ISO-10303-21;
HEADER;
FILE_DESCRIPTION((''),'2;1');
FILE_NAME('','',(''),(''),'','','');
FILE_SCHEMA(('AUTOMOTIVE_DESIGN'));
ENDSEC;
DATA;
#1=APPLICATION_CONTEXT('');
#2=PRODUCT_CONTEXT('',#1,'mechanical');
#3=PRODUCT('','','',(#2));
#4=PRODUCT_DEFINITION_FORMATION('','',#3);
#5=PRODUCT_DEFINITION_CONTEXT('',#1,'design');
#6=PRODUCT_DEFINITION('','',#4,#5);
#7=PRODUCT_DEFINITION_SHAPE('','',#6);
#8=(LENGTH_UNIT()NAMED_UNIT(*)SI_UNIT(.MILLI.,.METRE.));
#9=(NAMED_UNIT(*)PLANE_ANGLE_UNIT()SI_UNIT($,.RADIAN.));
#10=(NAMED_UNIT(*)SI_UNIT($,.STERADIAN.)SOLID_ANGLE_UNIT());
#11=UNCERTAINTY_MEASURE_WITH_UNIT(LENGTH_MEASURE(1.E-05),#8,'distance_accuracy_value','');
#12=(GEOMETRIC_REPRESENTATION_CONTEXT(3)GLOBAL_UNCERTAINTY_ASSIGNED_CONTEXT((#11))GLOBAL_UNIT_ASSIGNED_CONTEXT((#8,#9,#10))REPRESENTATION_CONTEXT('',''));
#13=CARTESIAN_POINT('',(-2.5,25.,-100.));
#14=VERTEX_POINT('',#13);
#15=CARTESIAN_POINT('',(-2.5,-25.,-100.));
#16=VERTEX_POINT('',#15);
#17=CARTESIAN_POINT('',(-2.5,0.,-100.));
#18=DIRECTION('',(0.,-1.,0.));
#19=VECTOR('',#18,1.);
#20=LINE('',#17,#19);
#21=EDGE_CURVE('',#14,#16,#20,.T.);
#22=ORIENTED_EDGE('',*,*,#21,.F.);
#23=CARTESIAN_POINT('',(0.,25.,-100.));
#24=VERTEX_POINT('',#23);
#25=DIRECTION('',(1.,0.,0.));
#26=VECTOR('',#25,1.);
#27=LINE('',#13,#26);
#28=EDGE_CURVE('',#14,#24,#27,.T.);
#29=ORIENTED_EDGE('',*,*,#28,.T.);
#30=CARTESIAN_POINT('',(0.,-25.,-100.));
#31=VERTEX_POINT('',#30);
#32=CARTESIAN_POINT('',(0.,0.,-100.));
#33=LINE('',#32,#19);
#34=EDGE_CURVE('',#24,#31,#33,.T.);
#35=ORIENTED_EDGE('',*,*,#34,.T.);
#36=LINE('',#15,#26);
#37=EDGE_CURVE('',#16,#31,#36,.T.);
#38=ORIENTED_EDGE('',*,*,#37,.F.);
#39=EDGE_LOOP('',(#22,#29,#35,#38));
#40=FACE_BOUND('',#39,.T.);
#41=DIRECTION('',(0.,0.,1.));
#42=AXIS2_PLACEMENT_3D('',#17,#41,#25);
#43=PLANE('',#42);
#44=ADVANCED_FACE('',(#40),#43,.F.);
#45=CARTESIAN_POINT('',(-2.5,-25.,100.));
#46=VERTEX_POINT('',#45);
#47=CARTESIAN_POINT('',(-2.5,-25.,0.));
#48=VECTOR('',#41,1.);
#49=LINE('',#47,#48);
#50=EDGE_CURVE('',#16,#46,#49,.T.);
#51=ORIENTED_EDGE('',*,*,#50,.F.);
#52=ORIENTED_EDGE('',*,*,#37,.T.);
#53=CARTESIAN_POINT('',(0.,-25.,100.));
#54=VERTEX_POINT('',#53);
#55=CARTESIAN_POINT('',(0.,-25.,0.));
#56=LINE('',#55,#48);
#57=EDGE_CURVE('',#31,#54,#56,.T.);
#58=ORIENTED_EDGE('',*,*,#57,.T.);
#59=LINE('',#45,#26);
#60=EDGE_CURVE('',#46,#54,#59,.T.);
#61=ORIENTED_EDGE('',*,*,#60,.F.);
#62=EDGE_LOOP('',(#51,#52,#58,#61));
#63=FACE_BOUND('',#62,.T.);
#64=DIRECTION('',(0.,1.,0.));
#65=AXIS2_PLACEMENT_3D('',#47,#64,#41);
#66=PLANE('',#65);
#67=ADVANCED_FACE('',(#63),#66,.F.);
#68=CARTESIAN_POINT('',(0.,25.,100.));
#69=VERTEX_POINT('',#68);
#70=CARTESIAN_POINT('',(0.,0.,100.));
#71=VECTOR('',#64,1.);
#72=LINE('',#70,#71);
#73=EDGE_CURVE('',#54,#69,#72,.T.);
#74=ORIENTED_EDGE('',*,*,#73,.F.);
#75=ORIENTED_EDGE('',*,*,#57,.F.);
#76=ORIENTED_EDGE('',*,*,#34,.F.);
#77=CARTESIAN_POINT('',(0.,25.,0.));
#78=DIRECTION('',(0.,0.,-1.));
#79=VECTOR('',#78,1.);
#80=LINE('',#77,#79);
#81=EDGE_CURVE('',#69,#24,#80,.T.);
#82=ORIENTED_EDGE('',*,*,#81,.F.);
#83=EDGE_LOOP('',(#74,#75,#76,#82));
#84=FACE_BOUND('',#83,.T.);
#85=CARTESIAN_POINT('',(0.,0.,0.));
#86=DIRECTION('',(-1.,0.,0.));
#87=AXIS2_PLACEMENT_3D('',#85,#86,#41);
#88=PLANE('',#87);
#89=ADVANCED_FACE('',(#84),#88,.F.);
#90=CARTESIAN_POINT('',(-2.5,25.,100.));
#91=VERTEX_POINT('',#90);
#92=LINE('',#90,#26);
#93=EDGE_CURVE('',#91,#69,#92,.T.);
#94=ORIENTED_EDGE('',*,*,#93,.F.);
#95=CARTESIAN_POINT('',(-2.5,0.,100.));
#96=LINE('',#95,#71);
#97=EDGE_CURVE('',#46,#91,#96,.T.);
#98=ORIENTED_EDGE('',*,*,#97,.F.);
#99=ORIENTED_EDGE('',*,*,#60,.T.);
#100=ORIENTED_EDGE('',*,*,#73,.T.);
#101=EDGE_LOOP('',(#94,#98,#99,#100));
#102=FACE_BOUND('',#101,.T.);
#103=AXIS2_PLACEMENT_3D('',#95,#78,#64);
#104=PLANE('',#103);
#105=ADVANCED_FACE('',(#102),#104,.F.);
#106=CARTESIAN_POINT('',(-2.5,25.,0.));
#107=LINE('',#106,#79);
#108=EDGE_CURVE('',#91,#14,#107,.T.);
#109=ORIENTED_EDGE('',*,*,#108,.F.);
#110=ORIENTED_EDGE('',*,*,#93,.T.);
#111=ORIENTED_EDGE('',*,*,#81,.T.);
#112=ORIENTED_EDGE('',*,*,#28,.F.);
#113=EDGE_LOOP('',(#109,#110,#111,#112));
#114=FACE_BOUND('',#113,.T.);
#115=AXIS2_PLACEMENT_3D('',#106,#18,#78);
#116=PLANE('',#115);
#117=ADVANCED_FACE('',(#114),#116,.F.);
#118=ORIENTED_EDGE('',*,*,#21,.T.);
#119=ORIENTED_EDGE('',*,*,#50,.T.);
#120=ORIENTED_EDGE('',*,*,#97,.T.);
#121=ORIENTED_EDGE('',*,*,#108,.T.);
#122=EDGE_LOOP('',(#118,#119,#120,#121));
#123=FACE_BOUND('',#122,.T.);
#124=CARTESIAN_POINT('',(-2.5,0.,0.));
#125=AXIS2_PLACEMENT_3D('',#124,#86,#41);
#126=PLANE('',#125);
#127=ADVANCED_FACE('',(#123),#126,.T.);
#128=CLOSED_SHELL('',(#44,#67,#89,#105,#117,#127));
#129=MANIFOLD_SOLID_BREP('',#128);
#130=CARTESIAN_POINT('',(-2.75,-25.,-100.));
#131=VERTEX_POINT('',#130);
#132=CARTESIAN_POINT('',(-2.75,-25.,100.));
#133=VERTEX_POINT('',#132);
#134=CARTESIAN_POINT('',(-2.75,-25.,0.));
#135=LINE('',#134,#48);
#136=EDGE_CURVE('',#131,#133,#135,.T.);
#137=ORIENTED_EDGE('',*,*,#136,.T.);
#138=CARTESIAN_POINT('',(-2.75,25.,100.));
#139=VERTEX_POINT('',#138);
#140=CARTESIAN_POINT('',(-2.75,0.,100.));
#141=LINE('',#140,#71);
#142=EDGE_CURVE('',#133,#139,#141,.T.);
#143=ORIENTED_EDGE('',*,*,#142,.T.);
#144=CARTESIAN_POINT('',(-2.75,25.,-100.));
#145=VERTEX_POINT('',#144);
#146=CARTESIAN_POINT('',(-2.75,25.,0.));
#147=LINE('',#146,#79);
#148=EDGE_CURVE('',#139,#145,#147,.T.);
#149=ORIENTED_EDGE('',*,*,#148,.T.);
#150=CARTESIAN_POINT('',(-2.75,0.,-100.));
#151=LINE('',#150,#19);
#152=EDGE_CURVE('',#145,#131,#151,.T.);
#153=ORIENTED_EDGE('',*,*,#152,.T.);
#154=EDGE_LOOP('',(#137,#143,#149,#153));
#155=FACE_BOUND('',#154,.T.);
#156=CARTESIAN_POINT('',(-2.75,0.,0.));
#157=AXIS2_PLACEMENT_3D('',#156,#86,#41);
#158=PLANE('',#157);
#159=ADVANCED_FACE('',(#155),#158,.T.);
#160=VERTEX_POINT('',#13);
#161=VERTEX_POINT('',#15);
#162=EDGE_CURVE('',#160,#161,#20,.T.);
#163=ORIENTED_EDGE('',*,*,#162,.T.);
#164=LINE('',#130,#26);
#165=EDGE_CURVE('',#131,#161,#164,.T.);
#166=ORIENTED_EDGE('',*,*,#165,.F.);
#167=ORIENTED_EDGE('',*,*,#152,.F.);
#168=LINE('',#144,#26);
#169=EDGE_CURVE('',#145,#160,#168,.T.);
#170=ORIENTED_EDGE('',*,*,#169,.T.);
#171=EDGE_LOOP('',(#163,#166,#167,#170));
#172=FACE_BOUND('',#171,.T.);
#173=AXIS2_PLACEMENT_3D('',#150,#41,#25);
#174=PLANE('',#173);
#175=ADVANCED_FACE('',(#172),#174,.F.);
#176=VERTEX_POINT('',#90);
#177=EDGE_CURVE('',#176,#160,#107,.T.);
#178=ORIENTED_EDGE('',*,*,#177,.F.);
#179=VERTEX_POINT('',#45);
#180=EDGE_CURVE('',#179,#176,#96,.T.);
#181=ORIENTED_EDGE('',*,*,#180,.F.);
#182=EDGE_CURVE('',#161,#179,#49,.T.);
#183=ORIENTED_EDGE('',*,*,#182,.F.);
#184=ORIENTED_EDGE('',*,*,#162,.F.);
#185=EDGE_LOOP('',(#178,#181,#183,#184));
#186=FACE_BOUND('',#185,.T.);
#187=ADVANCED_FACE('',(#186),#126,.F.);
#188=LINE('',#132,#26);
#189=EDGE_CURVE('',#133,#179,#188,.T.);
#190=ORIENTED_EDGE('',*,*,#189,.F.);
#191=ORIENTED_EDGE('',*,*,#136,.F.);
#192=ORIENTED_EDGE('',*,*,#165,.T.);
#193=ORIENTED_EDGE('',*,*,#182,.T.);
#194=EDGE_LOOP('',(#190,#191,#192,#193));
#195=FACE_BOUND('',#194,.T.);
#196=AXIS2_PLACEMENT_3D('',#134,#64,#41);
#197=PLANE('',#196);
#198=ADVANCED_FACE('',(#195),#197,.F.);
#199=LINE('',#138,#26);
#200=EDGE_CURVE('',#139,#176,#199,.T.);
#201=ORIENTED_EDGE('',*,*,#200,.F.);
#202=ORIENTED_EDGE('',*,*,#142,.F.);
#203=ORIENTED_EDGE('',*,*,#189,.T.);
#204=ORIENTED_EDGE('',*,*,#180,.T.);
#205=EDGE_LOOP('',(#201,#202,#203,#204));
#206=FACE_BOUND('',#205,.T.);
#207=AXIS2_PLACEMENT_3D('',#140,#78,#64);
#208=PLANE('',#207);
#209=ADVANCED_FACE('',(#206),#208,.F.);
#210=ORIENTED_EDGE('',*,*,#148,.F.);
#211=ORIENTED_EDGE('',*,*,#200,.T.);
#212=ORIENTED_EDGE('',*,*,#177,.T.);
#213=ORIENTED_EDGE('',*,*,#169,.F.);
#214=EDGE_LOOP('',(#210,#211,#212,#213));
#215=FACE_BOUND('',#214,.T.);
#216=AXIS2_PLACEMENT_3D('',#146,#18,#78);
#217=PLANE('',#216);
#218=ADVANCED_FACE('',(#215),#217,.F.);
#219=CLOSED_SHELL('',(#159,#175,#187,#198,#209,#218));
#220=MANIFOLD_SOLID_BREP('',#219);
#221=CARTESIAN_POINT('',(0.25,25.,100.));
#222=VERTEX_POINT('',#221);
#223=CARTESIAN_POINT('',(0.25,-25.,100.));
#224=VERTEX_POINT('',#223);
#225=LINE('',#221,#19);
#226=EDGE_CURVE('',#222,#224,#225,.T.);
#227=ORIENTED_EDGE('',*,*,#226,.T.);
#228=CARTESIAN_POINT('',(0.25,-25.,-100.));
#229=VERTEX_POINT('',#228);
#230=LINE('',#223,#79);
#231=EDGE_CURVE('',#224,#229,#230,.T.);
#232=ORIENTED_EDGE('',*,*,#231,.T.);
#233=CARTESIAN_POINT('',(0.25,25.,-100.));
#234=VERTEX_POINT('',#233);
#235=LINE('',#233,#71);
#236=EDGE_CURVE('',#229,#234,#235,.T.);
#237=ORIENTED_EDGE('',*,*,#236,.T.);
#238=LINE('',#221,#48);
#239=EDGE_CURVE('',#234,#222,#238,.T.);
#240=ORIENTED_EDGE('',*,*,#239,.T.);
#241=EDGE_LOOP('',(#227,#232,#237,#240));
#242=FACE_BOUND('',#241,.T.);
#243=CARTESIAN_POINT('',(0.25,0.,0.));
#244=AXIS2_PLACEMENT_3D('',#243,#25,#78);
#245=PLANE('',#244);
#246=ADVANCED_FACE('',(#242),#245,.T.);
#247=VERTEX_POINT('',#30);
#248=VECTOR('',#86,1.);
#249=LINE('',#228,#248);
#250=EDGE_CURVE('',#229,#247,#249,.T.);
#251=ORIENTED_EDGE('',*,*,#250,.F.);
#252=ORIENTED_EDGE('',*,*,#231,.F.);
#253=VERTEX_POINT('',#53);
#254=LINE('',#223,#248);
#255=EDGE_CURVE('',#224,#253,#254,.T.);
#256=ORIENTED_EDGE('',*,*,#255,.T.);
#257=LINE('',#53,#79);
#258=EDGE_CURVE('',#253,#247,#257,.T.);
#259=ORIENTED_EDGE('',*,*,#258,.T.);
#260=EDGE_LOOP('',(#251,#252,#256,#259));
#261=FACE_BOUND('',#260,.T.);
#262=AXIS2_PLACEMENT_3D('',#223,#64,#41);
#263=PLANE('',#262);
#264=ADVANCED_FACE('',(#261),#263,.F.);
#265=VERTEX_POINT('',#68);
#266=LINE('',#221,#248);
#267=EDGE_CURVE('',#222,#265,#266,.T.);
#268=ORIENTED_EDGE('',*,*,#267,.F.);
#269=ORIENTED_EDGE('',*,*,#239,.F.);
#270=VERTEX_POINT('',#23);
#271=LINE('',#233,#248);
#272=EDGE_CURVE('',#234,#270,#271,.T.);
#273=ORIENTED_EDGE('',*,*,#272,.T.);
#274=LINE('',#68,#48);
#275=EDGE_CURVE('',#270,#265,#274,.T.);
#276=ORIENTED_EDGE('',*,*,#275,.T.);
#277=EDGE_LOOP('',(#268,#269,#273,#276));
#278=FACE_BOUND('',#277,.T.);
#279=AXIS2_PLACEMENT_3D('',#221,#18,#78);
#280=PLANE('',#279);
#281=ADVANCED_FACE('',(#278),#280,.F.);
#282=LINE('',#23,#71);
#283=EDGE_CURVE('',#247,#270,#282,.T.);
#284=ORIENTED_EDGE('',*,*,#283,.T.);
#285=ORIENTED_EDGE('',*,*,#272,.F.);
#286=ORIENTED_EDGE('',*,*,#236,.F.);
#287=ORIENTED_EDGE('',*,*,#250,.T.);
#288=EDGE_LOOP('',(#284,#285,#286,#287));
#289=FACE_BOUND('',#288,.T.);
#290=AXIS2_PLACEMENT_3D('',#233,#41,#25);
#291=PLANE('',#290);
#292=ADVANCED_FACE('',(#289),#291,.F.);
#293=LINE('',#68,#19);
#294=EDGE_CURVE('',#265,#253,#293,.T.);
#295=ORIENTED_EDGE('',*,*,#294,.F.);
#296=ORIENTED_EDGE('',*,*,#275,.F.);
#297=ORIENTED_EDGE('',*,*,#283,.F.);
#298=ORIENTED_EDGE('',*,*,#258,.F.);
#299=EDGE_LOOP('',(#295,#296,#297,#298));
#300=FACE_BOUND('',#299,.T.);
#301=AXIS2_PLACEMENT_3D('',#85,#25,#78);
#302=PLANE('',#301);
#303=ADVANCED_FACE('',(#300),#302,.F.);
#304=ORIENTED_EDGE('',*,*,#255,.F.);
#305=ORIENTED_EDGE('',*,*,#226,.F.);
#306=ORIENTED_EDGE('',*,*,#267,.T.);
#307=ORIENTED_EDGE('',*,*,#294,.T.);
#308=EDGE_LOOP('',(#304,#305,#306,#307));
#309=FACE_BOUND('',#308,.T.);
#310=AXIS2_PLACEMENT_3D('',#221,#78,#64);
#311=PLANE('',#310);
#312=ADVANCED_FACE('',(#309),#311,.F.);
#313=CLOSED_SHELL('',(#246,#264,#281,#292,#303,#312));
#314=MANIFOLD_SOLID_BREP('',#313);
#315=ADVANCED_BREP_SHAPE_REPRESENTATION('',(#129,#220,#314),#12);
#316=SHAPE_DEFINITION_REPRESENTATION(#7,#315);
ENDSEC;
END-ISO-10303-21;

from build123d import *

# Parameters (mm, degrees)
SKETCH1_W           = 200
SKETCH1_H           = 50
BOSS_EXTRUDE1_DEPTH = 0.25
SKETCH2_W           = 200
SKETCH2_H           = 50
BOSS_EXTRUDE2_DEPTH = 2.5
SKETCH3_W           = 200
SKETCH3_H           = 50
BOSS_EXTRUDE3_DEPTH = 0.25


with BuildPart() as part:
    # Sketch1 → Boss-Extrude1 (new body)
    with BuildSketch(Plane(origin=(0, 0, 0), x_dir=(0, 0, -1), z_dir=(1, 0, 0))):
        Rectangle(SKETCH1_W, SKETCH1_H)
    extrude(amount=BOSS_EXTRUDE1_DEPTH)


with BuildPart() as body_2:
    # Sketch2 → Boss-Extrude2 (new body)
    with BuildSketch(Plane.ZY):
        Rectangle(SKETCH2_W, SKETCH2_H)
    extrude(amount=BOSS_EXTRUDE2_DEPTH)


with BuildPart() as body_3:
    # Sketch3 → Boss-Extrude3 (new body)
    with BuildSketch(Plane.ZY.offset(2.5)):
        Rectangle(SKETCH3_W, SKETCH3_H)
    extrude(amount=BOSS_EXTRUDE3_DEPTH)


solid = Compound([part.part, body_2.part, body_3.part])
